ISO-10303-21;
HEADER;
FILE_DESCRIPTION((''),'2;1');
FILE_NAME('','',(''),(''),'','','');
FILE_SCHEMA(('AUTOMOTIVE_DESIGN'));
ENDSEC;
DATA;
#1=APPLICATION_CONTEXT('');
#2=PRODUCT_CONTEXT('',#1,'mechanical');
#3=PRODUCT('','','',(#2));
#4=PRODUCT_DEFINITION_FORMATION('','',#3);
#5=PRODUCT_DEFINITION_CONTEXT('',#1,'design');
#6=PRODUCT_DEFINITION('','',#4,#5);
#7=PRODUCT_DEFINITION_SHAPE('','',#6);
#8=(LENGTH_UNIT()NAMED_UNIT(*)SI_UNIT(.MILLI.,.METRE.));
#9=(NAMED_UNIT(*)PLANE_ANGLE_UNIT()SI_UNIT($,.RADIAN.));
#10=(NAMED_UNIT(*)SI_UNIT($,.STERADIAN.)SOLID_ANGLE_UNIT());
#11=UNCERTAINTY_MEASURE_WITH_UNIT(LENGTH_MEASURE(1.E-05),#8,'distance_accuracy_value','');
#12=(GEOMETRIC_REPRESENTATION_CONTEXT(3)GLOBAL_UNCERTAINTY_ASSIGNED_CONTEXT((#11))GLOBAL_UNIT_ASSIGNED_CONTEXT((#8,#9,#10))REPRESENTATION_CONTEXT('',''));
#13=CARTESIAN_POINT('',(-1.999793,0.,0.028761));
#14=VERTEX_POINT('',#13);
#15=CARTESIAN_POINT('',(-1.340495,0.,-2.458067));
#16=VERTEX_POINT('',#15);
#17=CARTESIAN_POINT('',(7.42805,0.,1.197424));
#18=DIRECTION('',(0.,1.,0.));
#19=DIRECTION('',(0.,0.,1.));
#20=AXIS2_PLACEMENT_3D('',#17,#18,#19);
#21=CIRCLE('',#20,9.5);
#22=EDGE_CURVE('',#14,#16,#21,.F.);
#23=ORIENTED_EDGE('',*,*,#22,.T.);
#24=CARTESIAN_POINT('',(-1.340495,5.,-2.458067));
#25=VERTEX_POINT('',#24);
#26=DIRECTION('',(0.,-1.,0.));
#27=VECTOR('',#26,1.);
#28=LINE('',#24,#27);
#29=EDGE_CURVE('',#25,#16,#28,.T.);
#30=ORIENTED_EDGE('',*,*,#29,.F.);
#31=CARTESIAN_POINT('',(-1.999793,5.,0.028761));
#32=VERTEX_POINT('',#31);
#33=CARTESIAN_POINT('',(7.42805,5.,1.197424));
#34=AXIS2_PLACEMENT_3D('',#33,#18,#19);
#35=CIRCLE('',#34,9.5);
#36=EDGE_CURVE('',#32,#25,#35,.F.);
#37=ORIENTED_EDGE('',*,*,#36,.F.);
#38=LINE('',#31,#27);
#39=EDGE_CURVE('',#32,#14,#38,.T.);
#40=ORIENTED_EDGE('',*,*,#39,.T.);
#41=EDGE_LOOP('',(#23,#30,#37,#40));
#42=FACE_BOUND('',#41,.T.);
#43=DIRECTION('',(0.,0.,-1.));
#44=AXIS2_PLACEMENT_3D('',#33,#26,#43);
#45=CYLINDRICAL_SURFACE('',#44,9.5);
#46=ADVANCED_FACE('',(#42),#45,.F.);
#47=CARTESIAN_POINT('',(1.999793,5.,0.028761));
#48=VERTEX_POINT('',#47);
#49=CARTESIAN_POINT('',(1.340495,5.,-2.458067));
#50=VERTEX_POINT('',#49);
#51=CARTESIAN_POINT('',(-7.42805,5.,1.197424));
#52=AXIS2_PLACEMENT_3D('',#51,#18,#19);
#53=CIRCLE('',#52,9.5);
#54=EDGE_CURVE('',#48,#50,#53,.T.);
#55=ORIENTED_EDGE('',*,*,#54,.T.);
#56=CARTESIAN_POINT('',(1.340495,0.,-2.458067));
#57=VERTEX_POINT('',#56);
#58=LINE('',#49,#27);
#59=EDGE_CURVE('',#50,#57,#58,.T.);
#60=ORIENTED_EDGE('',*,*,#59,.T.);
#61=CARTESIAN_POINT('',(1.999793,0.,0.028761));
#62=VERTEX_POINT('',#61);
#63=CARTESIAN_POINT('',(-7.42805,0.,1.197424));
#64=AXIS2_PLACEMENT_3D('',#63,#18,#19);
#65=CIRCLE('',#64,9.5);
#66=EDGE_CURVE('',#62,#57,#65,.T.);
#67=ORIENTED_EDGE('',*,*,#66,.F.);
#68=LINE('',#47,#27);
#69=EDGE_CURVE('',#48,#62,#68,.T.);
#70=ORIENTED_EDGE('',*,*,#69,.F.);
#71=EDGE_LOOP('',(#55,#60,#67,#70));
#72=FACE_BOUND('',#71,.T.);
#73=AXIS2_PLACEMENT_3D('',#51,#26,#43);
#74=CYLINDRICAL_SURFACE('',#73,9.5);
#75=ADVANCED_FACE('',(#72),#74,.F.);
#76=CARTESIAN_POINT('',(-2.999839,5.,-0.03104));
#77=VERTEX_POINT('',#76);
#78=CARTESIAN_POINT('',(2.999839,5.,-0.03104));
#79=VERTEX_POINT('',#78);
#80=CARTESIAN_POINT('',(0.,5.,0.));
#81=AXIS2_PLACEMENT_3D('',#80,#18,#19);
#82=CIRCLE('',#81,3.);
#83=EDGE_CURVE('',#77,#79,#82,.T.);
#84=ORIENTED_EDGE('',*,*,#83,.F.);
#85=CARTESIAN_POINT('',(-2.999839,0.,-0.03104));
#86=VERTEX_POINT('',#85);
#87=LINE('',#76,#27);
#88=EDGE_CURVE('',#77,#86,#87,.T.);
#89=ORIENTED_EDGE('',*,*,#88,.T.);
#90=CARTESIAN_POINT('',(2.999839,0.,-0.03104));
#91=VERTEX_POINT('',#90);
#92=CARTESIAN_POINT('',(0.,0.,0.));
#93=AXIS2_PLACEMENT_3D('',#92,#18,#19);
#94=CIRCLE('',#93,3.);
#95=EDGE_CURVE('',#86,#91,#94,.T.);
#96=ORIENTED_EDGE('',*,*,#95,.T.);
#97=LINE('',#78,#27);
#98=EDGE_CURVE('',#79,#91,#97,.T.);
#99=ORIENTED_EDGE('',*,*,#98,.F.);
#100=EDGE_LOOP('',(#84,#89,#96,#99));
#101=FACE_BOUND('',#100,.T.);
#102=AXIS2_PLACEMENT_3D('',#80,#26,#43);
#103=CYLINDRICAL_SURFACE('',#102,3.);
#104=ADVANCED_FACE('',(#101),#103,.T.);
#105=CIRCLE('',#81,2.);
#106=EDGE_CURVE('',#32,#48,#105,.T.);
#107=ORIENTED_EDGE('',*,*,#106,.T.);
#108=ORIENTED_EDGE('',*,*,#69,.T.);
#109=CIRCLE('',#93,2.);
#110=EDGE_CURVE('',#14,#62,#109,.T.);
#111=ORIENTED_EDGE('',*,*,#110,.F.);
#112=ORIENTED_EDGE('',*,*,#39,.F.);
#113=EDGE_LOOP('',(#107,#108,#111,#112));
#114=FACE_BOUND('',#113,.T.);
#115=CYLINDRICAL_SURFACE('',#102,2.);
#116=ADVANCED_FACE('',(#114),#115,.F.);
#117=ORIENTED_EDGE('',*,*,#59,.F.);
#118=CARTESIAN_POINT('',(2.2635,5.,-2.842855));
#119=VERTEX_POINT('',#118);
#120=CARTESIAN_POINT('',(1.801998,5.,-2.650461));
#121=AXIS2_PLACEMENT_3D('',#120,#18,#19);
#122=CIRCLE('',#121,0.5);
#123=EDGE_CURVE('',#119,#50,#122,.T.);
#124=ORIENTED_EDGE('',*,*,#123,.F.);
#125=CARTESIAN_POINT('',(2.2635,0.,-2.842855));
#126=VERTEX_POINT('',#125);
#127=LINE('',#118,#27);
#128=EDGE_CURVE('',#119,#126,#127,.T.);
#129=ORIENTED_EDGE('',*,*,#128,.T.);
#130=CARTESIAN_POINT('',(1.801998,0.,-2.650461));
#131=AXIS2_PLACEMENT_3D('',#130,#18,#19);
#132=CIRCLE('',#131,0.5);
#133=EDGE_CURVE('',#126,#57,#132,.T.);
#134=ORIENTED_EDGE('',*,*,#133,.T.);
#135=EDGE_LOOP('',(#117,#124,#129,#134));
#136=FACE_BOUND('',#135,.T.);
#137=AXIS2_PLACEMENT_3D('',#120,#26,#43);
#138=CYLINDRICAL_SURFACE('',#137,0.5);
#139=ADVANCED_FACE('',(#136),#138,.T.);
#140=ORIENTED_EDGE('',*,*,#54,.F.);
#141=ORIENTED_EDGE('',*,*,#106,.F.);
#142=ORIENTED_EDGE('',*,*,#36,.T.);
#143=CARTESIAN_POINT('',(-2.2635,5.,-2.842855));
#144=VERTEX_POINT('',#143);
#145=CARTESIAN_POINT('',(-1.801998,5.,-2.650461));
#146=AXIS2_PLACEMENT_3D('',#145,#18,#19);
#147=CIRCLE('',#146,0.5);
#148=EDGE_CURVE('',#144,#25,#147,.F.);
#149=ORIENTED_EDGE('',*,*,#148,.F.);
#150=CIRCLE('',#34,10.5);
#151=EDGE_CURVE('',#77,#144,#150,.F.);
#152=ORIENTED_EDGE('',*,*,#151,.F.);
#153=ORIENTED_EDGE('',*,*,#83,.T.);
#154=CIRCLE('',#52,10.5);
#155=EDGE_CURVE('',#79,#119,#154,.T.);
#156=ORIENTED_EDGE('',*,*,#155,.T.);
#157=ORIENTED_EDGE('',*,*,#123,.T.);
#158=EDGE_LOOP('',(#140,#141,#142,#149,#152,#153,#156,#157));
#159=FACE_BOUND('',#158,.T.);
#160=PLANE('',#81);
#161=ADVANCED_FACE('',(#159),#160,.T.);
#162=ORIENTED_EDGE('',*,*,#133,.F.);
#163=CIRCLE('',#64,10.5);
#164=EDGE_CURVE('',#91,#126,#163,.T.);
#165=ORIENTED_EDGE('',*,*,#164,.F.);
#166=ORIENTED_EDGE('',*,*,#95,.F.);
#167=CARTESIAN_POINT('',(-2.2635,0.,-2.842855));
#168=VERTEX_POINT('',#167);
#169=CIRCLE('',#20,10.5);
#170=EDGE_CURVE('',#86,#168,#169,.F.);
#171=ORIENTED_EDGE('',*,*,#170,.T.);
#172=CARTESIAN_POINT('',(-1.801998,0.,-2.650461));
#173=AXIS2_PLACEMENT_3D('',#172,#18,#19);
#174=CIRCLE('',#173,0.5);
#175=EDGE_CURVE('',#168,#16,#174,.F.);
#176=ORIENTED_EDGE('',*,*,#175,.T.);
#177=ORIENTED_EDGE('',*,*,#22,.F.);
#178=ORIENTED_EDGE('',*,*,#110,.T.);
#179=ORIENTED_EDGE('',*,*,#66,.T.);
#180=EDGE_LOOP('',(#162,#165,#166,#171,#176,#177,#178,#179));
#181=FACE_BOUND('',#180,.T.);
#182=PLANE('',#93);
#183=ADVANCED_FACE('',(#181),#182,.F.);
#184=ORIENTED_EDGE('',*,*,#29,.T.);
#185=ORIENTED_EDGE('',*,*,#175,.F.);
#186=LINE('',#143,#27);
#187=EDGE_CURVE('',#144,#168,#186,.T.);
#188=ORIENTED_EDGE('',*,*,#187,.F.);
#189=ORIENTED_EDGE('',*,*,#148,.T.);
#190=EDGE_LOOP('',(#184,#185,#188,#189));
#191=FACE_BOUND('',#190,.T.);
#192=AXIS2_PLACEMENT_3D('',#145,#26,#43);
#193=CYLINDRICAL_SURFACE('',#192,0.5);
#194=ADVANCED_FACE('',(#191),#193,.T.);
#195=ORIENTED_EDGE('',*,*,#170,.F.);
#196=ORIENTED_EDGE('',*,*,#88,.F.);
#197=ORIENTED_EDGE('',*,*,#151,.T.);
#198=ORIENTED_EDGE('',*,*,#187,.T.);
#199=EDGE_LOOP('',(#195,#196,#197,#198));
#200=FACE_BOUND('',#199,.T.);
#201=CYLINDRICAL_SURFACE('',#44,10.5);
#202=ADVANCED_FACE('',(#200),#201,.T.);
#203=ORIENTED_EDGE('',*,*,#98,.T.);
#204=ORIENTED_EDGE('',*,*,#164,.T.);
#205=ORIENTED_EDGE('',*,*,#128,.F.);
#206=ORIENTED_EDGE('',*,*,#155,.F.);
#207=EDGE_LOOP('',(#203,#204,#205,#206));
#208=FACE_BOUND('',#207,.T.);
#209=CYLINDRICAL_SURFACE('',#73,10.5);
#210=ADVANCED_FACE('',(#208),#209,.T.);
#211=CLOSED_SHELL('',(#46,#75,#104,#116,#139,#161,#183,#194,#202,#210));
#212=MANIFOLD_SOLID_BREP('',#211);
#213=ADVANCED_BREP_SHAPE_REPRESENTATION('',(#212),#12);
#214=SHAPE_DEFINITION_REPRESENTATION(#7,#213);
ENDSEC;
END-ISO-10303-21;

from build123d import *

# Parameters (mm, degrees)
BOSS_EXTRUDE1_DEPTH = 5


with BuildPart() as part:
    # Sketch1 → Boss-Extrude1 (new body)
    with BuildSketch(Plane(origin=(0, 0, 0), x_dir=(1, 0, 0), z_dir=(0, 1, 0))):
        with BuildLine():
            ThreePointArc((1.340495377, 2.4580665), (1.754717381, 1.237074536), (1.999793193, -0.028760798))
            ThreePointArc((1.999793193, -0.028760798), (0, -2), (-1.999793193, -0.028760798))
            ThreePointArc((-1.999793193, -0.028760798), (-1.754717381, 1.237074536), (-1.340495377, 2.4580665))
            ThreePointArc((-1.340495377, 2.4580665), (-1.609603502, 3.111963141), (-2.263500143, 2.842855016))
            ThreePointArc((-2.263500143, 2.842855016), (-2.729436806, 1.462550003), (-2.999839417, 0.031039846))
            ThreePointArc((-2.999839417, 0.031039846), (0, -3), (2.999839417, 0.031039846))
            ThreePointArc((2.999839417, 0.031039846), (2.729436806, 1.462550003), (2.263500143, 2.842855016))
            ThreePointArc((2.263500143, 2.842855016), (1.609603502, 3.111963141), (1.340495377, 2.4580665))
        make_face()
    extrude(amount=BOSS_EXTRUDE1_DEPTH)


solid = part.part
